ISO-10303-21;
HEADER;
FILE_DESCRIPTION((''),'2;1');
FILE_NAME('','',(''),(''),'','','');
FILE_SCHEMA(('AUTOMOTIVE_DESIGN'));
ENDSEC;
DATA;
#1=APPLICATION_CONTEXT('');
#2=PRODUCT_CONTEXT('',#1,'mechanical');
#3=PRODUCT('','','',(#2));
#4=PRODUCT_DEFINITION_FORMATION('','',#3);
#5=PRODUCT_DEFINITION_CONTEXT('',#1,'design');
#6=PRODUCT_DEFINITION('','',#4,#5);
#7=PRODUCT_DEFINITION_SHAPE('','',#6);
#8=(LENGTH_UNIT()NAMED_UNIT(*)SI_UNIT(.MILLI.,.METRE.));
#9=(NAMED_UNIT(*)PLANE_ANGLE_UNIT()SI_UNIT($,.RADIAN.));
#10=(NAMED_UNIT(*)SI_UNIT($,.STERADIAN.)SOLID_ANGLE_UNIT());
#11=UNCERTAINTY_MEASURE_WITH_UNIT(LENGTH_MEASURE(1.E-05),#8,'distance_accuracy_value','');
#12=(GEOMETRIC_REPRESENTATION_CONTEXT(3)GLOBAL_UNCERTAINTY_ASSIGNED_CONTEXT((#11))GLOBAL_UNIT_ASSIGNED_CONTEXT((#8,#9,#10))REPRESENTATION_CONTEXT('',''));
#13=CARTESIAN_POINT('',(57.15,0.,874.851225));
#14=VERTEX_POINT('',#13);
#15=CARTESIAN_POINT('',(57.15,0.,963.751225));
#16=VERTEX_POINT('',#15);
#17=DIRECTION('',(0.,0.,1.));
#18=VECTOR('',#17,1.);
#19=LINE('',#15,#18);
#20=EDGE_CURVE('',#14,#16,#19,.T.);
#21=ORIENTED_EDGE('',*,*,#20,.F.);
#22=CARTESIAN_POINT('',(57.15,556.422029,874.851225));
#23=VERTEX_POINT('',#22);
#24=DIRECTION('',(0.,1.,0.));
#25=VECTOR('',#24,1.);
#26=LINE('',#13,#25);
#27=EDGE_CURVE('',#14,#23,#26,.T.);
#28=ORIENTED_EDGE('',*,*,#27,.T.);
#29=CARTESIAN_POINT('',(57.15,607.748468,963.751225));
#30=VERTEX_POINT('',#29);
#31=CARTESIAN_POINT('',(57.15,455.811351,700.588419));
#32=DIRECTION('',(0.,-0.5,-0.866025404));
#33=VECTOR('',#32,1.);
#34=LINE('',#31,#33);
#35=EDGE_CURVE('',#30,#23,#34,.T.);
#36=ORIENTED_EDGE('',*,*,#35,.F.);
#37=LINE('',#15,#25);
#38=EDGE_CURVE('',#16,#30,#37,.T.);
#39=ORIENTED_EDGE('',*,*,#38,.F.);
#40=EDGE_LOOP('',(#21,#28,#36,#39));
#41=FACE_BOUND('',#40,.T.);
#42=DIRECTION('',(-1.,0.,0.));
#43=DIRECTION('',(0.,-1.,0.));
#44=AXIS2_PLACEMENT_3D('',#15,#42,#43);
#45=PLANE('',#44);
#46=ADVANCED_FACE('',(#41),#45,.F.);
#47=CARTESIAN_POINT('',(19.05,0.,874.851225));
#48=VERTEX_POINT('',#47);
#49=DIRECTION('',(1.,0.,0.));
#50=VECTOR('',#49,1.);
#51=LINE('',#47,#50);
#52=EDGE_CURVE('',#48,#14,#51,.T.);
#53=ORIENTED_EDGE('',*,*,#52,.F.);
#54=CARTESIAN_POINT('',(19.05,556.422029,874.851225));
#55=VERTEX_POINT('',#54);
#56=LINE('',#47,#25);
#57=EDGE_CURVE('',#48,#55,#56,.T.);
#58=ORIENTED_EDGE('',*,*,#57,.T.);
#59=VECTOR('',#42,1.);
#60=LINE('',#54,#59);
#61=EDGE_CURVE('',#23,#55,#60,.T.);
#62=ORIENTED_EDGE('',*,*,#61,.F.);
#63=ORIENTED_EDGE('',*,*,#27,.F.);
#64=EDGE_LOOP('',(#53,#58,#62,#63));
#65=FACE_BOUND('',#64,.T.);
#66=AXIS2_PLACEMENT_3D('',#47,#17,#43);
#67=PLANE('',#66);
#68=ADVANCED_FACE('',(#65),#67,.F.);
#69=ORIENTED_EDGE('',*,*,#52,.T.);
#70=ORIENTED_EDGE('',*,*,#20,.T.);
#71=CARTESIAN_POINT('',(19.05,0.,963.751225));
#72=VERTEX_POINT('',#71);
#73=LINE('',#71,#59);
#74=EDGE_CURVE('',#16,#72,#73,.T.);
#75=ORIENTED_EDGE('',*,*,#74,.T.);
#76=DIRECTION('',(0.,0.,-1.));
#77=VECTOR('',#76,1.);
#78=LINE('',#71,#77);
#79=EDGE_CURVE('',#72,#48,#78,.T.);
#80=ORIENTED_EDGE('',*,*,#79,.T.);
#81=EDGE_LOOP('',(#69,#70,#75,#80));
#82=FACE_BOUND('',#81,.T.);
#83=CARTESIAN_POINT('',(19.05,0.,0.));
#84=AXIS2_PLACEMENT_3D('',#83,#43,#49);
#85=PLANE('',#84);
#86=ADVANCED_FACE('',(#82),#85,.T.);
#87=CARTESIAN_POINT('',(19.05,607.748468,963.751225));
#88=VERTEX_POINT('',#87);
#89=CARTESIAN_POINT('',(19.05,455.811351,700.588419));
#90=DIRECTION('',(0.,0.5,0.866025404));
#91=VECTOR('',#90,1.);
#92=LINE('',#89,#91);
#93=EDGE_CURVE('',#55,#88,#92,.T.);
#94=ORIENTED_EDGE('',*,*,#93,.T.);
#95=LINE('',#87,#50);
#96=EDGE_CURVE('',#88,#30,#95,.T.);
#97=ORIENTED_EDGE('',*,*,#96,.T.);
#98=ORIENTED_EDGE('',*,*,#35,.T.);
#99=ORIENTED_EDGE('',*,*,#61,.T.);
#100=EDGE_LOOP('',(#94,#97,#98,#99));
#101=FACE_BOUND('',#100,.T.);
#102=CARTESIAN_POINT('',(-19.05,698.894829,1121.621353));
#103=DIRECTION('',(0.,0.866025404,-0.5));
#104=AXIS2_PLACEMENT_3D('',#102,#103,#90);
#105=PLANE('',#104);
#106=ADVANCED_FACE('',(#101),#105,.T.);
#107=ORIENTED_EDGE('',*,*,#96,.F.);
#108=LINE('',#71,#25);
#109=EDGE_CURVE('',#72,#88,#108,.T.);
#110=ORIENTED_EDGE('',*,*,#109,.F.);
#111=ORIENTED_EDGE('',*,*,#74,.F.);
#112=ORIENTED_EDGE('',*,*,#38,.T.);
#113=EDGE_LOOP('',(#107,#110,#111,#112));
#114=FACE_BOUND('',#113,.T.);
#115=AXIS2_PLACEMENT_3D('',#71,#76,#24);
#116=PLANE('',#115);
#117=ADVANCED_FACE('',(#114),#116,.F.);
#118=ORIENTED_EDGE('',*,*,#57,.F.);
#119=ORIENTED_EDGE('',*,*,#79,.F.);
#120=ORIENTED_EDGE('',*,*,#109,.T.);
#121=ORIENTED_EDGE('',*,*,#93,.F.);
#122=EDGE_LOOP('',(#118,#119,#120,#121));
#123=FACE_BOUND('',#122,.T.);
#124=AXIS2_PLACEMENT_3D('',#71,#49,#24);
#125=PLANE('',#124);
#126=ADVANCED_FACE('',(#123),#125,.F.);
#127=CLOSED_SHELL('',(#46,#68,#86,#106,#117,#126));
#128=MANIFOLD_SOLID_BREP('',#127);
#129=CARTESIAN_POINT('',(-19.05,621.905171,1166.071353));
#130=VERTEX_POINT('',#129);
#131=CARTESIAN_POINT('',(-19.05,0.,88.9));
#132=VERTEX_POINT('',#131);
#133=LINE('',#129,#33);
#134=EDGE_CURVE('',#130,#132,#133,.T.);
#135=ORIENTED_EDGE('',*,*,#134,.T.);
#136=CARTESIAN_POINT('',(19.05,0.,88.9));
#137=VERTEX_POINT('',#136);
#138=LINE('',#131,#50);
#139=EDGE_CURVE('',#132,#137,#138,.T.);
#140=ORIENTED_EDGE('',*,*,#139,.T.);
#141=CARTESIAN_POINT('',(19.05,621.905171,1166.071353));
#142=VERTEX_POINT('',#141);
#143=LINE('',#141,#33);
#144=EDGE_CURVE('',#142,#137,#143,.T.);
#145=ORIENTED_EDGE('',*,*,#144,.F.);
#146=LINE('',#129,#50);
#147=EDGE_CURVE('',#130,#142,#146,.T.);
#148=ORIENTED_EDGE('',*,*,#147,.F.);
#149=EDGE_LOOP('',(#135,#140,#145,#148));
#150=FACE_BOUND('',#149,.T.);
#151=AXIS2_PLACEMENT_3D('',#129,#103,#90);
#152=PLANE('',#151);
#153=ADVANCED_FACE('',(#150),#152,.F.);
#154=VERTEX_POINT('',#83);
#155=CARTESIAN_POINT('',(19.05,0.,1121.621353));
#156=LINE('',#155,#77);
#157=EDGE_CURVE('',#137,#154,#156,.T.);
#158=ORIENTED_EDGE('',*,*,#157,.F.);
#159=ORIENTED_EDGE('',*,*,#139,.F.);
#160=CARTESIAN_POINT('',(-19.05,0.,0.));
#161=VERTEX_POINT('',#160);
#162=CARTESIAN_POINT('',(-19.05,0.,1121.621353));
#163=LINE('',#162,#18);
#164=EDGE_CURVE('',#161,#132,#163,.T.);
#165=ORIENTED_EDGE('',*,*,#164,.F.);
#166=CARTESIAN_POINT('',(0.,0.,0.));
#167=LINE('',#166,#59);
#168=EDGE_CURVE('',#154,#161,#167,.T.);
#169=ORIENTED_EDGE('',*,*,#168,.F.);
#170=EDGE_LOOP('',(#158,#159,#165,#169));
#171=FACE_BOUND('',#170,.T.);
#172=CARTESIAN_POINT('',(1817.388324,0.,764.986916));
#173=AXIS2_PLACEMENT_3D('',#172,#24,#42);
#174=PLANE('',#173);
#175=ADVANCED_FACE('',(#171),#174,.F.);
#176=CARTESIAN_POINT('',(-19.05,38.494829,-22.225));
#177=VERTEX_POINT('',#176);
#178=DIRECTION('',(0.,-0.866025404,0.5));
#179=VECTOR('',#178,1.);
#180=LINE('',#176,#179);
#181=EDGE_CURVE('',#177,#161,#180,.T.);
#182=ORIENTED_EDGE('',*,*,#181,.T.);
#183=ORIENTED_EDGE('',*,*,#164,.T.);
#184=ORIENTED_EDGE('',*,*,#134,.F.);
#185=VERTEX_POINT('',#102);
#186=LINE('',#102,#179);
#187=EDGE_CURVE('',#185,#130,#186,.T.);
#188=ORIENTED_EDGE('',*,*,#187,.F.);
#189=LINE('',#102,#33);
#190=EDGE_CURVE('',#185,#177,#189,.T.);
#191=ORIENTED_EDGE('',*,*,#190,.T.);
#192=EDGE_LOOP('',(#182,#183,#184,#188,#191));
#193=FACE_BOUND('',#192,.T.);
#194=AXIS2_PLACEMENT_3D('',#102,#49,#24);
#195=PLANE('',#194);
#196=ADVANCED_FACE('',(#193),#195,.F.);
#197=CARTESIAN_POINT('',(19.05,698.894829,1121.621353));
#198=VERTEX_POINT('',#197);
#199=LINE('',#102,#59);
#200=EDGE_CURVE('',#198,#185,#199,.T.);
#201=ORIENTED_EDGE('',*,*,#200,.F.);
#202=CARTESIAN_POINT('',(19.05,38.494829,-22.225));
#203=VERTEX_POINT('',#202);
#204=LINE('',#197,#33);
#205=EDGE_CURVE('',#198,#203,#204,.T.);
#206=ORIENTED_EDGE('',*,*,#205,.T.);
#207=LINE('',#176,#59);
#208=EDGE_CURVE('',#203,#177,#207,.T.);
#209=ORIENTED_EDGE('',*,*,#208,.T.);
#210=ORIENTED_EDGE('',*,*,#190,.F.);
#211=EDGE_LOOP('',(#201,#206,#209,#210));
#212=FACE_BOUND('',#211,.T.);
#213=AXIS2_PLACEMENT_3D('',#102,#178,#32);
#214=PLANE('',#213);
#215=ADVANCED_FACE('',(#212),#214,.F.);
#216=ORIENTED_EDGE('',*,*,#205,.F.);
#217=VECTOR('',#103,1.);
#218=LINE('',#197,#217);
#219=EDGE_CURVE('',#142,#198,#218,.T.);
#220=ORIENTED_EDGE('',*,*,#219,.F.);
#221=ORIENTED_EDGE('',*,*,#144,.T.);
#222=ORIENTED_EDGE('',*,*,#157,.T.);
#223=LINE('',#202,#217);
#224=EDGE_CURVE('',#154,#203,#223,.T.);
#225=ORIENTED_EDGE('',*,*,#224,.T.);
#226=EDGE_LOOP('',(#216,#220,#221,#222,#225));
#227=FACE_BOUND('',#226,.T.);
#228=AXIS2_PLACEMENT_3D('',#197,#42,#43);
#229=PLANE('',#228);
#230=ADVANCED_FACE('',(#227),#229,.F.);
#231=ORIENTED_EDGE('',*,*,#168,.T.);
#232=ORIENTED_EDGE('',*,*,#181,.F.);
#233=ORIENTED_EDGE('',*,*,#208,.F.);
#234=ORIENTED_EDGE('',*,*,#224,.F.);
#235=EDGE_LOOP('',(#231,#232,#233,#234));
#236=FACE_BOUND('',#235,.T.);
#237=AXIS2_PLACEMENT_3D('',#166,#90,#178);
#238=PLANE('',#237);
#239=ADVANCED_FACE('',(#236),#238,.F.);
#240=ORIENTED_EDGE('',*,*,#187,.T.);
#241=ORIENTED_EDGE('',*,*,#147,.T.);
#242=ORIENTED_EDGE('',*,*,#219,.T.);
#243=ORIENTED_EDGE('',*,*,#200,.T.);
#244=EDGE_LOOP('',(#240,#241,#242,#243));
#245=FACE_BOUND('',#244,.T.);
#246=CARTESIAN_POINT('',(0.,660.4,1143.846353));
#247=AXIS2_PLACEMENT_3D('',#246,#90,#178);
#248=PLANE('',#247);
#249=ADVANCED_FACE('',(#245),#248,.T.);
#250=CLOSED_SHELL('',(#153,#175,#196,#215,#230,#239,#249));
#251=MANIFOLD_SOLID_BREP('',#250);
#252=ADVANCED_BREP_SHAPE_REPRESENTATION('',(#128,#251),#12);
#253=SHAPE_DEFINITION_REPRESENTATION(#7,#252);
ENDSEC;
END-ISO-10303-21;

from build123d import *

# Parameters (mm, degrees)
SKETCH_2X4_W            = 38.1
SKETCH_2X4_H            = 88.9
PROFILES_2X4_1_DEPTH    = 1320.8
SKETCH_2X41_W           = 38.1
SKETCH_2X41_H           = 88.9
PROFILES_2X4_2_DEPTH    = 530.758809707
BODY_2_RUN_ON_DEPTH     = 595.55442
CUT_EXTRUDE1_DEPTH      = 1361.010291619
CUT_EXTRUDE1_DEPTH_BACK = 1361.010291619


with BuildPart() as part:
    # 2x4 → Profiles 2X4(1) (new body)
    with BuildSketch(Plane(origin=(0, 0, 0), x_dir=(1, 0, 0), z_dir=(0, 0.5000000000000009, 0.8660254037844382))):
        Rectangle(SKETCH_2X4_W, SKETCH_2X4_H)
    extrude(amount=PROFILES_2X4_1_DEPTH)

    # Sketch5 → Cut-Extrude1 (cut, two sides: drawn at the far end of the back side and taken through both)
    with BuildSketch(Plane(origin=(19.05, 0, 0), x_dir=(0, 0, -1), z_dir=(1, 0, 0)).offset(-CUT_EXTRUDE1_DEPTH_BACK)):
        Polygon((-3831.136128898, 0), (-764.986915909, 0), (192.809811734, 0), (3258.959024723, 0), (3258.959024723, -6132.298425979), (-3831.136128898, -6132.298425979), align=None)
    extrude(amount=CUT_EXTRUDE1_DEPTH + CUT_EXTRUDE1_DEPTH_BACK, mode=Mode.SUBTRACT)


with BuildPart() as body_2:
    # 2x41 → Profiles 2X4(2) (new body)
    with BuildSketch(Plane(origin=(38.1, 530.758809707, 919.301224977), x_dir=(1, 0, 0), z_dir=(0, -1, 0))):
        Rectangle(SKETCH_2X41_W, SKETCH_2X41_H)
    extrude(amount=PROFILES_2X4_2_DEPTH)

    # 2x41 → body 2 run on (add)
    with BuildSketch(Plane(origin=(38.1, 530.758809707, 919.301224977), x_dir=(1, 0, 0), z_dir=(0, -1, 0))):
        Rectangle(SKETCH_2X41_W, SKETCH_2X41_H)
    extrude(amount=-BODY_2_RUN_ON_DEPTH)

    # Trim_Extend1 6
    split(bisect_by=Plane(origin=(0, 368.694829198, 549.698176659), x_dir=(1, 0, 0), z_dir=(0, -0.866025404, 0.5)), keep=Keep.TOP)


solid = Compound([part.part, body_2.part])
